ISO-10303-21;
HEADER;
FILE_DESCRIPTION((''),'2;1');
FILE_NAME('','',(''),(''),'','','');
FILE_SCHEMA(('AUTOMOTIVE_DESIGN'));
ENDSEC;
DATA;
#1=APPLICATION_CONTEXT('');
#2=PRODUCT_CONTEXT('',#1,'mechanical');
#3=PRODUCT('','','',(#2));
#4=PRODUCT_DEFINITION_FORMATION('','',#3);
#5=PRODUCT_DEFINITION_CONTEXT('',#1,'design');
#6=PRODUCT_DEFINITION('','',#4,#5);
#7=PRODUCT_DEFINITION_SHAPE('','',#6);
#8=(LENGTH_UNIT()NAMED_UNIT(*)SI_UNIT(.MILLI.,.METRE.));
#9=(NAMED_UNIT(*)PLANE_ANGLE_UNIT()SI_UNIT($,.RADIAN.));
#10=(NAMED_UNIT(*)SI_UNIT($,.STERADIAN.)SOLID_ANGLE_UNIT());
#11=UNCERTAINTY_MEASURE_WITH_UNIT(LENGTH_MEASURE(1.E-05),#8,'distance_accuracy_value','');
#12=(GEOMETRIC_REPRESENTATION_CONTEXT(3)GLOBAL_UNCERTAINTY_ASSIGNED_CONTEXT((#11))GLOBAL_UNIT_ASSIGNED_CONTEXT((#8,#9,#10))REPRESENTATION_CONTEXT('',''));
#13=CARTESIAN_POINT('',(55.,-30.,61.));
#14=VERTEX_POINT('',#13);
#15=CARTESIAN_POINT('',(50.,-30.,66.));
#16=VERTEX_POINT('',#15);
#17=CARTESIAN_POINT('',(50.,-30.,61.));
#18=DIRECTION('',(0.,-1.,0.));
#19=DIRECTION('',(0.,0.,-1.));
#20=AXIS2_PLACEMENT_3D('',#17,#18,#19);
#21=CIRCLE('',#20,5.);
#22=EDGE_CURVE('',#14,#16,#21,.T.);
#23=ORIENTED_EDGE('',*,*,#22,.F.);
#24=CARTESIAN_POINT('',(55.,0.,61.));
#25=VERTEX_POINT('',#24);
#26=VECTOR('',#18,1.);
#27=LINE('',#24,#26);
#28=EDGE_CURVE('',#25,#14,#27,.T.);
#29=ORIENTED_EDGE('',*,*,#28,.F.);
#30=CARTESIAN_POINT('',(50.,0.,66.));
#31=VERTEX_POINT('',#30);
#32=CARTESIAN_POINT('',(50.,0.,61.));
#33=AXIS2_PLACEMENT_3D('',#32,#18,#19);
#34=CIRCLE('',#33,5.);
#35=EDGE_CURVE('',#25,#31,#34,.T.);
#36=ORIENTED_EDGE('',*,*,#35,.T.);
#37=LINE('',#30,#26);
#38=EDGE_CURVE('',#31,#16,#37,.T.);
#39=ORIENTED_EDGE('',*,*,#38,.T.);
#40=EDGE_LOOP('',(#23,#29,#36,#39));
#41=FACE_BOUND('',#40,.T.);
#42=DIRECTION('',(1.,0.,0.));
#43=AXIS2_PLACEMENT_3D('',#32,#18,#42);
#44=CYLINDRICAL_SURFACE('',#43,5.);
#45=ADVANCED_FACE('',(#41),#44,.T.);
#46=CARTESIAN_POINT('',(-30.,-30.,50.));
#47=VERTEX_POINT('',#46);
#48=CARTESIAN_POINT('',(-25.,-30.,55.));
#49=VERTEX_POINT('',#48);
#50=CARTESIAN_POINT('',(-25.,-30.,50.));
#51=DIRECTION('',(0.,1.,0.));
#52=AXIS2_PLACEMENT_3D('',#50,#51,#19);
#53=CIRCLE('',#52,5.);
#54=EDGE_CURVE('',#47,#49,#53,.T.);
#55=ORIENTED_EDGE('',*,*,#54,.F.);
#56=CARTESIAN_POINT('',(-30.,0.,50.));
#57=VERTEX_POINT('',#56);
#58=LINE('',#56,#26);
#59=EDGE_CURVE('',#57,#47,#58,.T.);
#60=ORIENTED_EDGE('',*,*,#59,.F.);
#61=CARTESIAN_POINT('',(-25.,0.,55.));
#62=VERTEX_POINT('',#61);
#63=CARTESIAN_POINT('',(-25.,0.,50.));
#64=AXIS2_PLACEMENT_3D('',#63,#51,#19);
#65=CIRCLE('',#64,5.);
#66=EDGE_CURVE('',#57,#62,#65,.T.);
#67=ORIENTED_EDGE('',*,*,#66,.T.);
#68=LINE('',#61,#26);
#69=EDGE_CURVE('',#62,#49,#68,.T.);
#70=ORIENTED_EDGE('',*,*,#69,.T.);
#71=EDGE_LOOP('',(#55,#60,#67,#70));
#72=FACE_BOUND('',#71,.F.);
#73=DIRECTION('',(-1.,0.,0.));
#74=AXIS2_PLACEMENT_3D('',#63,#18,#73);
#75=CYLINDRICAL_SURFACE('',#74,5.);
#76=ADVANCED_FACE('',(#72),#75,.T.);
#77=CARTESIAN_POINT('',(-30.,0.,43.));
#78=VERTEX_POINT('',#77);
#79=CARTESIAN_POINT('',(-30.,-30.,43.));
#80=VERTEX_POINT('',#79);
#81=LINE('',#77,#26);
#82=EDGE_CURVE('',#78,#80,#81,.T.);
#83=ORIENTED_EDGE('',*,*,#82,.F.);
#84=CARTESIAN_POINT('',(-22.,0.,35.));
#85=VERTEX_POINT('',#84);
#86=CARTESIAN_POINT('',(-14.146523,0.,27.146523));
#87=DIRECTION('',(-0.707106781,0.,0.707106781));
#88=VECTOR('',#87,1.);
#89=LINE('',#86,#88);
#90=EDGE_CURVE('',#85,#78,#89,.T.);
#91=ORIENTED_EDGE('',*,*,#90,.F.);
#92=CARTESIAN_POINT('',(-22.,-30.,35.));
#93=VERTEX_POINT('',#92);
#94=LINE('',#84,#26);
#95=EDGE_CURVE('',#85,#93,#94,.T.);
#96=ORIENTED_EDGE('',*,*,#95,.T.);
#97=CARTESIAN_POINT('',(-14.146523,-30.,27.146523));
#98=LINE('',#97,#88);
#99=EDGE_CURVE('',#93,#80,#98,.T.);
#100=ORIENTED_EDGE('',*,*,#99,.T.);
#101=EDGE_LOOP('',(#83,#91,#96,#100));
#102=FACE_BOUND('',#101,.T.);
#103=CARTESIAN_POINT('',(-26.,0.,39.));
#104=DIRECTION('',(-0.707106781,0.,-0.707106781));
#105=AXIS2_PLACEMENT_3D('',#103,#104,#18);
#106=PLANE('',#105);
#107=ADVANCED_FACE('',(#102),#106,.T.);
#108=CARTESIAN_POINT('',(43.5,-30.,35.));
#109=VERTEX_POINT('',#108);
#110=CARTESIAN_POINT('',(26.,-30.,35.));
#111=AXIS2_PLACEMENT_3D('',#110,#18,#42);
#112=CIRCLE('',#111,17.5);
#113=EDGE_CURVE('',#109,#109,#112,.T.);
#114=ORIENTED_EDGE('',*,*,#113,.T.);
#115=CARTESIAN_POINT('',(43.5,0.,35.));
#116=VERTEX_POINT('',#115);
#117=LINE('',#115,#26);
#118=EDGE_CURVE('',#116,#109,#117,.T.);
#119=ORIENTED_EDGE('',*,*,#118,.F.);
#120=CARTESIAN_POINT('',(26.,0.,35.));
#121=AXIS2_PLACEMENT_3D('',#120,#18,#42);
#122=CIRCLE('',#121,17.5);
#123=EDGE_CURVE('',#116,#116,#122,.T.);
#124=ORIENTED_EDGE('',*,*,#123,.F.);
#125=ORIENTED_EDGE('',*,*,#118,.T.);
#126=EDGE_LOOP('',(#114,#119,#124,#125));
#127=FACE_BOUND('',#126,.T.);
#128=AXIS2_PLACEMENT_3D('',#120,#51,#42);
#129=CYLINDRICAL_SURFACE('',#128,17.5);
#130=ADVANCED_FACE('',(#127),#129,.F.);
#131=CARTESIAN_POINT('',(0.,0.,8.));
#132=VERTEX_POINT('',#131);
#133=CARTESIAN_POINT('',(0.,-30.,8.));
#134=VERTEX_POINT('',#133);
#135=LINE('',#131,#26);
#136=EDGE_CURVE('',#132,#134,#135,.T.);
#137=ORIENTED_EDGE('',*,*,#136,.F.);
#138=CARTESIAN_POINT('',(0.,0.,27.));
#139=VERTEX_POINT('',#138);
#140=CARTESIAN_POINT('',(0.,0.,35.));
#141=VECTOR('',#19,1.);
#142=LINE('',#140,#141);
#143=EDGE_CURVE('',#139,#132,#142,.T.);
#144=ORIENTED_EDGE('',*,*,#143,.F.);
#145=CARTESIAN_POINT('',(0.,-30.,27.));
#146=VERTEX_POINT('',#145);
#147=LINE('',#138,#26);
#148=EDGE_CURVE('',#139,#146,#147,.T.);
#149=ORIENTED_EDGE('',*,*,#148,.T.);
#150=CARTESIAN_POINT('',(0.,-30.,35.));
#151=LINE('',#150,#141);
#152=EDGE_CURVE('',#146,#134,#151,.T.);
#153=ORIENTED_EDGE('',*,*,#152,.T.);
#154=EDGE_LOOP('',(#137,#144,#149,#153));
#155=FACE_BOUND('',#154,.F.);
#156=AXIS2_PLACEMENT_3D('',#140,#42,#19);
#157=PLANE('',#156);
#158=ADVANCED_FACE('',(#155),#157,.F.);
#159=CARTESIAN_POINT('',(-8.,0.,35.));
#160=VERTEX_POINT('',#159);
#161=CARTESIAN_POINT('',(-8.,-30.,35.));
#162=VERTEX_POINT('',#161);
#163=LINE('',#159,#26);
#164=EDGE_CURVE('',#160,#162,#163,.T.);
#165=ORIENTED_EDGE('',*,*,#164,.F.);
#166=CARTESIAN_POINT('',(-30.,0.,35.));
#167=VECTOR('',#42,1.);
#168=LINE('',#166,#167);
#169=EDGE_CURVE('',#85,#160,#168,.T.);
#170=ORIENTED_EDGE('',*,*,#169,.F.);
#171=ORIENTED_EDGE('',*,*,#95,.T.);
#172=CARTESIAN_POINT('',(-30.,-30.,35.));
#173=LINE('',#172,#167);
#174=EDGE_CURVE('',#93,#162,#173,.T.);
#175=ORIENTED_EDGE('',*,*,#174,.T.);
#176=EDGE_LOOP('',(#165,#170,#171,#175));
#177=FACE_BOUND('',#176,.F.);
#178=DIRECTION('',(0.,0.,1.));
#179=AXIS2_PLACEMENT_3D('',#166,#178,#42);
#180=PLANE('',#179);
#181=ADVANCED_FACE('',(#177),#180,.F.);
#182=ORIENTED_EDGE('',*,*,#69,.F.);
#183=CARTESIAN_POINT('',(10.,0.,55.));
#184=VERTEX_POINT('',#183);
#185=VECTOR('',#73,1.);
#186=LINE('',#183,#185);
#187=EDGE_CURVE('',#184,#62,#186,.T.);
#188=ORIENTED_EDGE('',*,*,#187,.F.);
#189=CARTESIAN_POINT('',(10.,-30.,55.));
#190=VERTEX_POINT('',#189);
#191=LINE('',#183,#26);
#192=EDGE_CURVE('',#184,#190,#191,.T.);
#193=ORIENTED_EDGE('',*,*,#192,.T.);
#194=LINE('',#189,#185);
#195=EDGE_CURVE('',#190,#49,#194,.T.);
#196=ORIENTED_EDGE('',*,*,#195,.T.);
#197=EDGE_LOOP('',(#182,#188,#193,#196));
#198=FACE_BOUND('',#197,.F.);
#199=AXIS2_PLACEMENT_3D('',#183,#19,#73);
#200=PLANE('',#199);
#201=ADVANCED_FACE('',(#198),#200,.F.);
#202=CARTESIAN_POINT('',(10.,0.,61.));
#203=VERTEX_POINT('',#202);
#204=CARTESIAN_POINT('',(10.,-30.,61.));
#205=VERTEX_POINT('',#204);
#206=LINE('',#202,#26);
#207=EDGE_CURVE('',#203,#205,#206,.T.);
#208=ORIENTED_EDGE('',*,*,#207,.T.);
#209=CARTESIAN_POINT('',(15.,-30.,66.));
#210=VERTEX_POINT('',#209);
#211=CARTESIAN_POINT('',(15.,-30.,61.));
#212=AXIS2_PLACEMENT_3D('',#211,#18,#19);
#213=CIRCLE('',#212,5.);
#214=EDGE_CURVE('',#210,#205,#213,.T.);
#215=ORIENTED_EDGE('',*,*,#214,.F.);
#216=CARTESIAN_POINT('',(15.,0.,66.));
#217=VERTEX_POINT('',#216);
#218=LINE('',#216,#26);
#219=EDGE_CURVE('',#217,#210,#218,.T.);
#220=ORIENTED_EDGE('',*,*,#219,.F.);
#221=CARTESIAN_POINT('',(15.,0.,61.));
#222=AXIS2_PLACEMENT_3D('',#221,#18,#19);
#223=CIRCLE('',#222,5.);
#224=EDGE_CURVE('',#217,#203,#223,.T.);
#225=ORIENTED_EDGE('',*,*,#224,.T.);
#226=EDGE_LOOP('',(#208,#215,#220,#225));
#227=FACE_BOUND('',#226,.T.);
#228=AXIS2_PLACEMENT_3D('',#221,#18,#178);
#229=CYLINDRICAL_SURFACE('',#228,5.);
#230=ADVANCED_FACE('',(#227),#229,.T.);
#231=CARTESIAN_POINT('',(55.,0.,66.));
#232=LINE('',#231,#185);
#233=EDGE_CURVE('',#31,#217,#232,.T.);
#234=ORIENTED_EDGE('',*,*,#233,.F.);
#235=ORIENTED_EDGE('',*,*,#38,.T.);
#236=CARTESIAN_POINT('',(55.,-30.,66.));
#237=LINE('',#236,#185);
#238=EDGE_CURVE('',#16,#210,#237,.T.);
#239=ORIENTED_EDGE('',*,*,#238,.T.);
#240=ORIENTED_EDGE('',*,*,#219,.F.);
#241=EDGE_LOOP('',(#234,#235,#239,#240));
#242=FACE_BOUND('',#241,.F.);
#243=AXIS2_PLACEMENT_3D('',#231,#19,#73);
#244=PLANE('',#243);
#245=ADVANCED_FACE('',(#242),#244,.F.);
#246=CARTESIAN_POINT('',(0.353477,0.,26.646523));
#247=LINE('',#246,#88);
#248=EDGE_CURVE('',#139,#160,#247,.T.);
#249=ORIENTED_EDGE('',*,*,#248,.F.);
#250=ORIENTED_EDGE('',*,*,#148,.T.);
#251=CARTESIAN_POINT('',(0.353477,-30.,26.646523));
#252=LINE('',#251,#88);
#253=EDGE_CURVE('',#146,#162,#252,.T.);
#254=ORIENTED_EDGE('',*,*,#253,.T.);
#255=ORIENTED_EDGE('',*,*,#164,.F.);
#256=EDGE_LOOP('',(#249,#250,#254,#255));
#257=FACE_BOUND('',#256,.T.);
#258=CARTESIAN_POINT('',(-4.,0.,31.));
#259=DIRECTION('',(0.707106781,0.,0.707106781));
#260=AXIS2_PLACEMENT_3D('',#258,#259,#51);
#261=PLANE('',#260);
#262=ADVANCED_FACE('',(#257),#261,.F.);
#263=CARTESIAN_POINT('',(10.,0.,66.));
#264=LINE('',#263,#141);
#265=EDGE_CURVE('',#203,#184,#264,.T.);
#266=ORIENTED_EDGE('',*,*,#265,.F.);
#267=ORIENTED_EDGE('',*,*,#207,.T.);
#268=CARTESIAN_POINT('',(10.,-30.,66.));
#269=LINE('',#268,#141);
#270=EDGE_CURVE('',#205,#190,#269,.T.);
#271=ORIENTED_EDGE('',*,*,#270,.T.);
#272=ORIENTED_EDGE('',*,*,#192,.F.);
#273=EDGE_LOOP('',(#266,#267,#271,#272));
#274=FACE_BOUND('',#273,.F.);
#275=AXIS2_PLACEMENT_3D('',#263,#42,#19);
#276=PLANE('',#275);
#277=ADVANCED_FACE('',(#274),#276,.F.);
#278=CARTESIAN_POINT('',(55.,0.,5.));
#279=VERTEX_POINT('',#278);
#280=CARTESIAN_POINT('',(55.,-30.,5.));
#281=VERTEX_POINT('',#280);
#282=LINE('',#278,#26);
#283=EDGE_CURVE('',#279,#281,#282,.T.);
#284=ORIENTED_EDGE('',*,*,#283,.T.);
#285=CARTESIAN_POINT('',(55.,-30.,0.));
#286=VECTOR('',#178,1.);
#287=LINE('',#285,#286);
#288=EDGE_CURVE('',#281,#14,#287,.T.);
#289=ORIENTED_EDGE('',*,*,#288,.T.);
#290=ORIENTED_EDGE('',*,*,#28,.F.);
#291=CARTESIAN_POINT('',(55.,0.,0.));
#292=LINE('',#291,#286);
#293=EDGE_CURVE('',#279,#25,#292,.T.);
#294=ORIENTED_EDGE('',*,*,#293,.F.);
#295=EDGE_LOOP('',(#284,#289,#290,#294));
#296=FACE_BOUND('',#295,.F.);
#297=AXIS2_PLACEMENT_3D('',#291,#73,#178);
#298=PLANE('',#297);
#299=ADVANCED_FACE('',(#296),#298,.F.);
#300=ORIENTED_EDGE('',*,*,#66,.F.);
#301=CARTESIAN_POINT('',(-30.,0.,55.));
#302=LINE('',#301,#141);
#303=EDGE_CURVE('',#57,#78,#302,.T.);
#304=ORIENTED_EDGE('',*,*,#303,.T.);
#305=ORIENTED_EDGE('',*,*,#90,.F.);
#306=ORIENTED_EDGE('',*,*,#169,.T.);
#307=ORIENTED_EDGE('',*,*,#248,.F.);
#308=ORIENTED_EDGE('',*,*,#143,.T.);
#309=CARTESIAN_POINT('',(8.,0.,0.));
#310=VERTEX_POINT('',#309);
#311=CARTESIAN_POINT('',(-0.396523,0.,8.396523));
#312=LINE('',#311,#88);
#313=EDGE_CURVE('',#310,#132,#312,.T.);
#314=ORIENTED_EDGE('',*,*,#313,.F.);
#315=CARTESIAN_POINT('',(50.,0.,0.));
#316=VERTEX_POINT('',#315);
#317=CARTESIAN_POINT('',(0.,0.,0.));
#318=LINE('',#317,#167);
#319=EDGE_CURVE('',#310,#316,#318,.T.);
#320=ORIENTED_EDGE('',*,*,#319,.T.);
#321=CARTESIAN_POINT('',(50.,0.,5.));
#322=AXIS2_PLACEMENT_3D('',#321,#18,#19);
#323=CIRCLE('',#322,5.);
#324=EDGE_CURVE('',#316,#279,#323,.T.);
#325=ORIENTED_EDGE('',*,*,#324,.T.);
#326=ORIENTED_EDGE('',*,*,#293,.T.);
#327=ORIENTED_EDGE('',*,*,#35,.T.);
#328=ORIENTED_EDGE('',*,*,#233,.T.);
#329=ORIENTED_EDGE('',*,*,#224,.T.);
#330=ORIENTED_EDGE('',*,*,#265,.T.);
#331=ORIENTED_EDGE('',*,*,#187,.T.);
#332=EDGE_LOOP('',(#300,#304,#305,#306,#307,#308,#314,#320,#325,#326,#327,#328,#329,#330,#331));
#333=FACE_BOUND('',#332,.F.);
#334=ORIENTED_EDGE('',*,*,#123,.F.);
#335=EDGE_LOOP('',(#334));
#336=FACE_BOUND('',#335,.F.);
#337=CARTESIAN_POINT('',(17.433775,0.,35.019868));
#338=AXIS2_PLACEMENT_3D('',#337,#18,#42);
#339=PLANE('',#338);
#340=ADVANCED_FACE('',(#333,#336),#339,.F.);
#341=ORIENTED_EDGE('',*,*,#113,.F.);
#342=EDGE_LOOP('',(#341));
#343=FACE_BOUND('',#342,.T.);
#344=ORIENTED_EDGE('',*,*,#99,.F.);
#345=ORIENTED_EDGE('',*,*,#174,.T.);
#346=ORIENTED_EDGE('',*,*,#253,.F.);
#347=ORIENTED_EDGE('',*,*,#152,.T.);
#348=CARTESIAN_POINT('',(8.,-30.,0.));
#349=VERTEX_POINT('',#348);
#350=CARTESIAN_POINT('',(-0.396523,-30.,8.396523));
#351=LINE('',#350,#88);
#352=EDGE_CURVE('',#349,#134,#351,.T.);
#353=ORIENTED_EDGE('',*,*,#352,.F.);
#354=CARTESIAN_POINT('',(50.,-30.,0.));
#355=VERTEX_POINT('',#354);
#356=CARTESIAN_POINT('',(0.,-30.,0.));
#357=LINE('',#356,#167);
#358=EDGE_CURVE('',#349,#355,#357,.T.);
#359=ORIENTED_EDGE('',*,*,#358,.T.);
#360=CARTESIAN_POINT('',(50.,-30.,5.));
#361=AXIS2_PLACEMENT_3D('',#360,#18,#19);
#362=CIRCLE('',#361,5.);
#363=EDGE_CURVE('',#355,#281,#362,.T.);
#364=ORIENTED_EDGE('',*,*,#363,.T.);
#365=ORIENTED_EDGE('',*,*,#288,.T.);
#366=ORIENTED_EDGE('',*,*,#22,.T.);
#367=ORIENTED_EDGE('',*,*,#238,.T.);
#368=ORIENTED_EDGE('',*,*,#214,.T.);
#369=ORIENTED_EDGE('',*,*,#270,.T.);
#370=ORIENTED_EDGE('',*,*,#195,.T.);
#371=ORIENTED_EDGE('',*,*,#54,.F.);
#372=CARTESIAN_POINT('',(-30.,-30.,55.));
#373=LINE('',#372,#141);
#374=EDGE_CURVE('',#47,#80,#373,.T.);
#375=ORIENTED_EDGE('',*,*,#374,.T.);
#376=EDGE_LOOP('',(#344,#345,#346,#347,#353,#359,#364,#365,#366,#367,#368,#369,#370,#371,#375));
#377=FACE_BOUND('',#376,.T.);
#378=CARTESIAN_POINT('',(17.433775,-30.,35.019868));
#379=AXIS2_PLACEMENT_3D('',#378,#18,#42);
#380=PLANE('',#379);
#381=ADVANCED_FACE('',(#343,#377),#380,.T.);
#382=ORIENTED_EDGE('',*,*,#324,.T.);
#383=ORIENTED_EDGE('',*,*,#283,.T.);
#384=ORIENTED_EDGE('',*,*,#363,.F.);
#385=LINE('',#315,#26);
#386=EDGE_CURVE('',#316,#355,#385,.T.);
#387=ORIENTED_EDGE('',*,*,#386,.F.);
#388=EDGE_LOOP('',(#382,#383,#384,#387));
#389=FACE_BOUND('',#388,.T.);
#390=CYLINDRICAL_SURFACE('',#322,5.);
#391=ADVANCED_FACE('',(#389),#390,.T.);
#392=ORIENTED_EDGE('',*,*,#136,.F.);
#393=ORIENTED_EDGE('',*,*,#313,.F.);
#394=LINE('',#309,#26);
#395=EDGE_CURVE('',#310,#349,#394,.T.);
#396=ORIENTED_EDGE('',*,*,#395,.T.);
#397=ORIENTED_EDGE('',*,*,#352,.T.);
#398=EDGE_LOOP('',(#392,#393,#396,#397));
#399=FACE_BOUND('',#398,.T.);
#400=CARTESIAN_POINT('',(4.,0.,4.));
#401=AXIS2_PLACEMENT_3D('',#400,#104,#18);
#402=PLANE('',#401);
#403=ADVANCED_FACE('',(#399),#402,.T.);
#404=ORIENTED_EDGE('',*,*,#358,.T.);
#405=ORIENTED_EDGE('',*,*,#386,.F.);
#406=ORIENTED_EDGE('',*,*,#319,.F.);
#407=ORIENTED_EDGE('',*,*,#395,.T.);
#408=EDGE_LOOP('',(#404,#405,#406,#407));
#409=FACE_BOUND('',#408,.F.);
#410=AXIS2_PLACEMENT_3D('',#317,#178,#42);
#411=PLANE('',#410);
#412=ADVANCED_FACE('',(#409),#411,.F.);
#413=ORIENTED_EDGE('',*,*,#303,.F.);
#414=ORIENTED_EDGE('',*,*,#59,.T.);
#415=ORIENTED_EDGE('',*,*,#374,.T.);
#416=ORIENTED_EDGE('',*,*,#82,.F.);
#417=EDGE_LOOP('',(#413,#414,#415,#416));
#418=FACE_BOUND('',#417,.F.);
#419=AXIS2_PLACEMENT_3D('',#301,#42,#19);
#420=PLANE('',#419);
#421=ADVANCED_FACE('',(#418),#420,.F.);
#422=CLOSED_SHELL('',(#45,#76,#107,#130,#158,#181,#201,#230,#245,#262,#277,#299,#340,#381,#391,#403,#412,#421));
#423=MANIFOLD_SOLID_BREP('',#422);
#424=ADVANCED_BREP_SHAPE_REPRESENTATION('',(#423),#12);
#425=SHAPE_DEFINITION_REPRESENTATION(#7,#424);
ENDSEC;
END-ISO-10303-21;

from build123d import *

# Parameters (mm, degrees)
F0_R     = 17.5
F1_DEPTH = 30
F2_R     = 5
F3_SIZE  = 8


with BuildPart() as f1:
    # F0 (on Front) → F1 (new body)
    with BuildSketch(Plane.XZ):
        Polygon((0, 35), (0, 0), (55, 0), (55, 66), (10, 66), (10, 55), (-30, 55), (-30, 35), align=None)
        with Locations((26, 35)):
            Circle(F0_R, mode=Mode.SUBTRACT)
    extrude(amount=F1_DEPTH)

    # F2
    f2_edges = [f1.edges().sort_by_distance(p)[0] for p in [
        (10, -15, 66),
        (55, -15, 66),
        (55, -15, 0),
        (-30, -15, 55),
    ]]
    fillet(f2_edges, radius=F2_R)

    # F3
    f3_edges = [f1.edges().sort_by_distance(p)[0] for p in [
        (0, -15, 35),
        (-30, -15, 35),
        (0, -15, 0),
    ]]
    chamfer(f3_edges, length=F3_SIZE)


solid = f1.part
